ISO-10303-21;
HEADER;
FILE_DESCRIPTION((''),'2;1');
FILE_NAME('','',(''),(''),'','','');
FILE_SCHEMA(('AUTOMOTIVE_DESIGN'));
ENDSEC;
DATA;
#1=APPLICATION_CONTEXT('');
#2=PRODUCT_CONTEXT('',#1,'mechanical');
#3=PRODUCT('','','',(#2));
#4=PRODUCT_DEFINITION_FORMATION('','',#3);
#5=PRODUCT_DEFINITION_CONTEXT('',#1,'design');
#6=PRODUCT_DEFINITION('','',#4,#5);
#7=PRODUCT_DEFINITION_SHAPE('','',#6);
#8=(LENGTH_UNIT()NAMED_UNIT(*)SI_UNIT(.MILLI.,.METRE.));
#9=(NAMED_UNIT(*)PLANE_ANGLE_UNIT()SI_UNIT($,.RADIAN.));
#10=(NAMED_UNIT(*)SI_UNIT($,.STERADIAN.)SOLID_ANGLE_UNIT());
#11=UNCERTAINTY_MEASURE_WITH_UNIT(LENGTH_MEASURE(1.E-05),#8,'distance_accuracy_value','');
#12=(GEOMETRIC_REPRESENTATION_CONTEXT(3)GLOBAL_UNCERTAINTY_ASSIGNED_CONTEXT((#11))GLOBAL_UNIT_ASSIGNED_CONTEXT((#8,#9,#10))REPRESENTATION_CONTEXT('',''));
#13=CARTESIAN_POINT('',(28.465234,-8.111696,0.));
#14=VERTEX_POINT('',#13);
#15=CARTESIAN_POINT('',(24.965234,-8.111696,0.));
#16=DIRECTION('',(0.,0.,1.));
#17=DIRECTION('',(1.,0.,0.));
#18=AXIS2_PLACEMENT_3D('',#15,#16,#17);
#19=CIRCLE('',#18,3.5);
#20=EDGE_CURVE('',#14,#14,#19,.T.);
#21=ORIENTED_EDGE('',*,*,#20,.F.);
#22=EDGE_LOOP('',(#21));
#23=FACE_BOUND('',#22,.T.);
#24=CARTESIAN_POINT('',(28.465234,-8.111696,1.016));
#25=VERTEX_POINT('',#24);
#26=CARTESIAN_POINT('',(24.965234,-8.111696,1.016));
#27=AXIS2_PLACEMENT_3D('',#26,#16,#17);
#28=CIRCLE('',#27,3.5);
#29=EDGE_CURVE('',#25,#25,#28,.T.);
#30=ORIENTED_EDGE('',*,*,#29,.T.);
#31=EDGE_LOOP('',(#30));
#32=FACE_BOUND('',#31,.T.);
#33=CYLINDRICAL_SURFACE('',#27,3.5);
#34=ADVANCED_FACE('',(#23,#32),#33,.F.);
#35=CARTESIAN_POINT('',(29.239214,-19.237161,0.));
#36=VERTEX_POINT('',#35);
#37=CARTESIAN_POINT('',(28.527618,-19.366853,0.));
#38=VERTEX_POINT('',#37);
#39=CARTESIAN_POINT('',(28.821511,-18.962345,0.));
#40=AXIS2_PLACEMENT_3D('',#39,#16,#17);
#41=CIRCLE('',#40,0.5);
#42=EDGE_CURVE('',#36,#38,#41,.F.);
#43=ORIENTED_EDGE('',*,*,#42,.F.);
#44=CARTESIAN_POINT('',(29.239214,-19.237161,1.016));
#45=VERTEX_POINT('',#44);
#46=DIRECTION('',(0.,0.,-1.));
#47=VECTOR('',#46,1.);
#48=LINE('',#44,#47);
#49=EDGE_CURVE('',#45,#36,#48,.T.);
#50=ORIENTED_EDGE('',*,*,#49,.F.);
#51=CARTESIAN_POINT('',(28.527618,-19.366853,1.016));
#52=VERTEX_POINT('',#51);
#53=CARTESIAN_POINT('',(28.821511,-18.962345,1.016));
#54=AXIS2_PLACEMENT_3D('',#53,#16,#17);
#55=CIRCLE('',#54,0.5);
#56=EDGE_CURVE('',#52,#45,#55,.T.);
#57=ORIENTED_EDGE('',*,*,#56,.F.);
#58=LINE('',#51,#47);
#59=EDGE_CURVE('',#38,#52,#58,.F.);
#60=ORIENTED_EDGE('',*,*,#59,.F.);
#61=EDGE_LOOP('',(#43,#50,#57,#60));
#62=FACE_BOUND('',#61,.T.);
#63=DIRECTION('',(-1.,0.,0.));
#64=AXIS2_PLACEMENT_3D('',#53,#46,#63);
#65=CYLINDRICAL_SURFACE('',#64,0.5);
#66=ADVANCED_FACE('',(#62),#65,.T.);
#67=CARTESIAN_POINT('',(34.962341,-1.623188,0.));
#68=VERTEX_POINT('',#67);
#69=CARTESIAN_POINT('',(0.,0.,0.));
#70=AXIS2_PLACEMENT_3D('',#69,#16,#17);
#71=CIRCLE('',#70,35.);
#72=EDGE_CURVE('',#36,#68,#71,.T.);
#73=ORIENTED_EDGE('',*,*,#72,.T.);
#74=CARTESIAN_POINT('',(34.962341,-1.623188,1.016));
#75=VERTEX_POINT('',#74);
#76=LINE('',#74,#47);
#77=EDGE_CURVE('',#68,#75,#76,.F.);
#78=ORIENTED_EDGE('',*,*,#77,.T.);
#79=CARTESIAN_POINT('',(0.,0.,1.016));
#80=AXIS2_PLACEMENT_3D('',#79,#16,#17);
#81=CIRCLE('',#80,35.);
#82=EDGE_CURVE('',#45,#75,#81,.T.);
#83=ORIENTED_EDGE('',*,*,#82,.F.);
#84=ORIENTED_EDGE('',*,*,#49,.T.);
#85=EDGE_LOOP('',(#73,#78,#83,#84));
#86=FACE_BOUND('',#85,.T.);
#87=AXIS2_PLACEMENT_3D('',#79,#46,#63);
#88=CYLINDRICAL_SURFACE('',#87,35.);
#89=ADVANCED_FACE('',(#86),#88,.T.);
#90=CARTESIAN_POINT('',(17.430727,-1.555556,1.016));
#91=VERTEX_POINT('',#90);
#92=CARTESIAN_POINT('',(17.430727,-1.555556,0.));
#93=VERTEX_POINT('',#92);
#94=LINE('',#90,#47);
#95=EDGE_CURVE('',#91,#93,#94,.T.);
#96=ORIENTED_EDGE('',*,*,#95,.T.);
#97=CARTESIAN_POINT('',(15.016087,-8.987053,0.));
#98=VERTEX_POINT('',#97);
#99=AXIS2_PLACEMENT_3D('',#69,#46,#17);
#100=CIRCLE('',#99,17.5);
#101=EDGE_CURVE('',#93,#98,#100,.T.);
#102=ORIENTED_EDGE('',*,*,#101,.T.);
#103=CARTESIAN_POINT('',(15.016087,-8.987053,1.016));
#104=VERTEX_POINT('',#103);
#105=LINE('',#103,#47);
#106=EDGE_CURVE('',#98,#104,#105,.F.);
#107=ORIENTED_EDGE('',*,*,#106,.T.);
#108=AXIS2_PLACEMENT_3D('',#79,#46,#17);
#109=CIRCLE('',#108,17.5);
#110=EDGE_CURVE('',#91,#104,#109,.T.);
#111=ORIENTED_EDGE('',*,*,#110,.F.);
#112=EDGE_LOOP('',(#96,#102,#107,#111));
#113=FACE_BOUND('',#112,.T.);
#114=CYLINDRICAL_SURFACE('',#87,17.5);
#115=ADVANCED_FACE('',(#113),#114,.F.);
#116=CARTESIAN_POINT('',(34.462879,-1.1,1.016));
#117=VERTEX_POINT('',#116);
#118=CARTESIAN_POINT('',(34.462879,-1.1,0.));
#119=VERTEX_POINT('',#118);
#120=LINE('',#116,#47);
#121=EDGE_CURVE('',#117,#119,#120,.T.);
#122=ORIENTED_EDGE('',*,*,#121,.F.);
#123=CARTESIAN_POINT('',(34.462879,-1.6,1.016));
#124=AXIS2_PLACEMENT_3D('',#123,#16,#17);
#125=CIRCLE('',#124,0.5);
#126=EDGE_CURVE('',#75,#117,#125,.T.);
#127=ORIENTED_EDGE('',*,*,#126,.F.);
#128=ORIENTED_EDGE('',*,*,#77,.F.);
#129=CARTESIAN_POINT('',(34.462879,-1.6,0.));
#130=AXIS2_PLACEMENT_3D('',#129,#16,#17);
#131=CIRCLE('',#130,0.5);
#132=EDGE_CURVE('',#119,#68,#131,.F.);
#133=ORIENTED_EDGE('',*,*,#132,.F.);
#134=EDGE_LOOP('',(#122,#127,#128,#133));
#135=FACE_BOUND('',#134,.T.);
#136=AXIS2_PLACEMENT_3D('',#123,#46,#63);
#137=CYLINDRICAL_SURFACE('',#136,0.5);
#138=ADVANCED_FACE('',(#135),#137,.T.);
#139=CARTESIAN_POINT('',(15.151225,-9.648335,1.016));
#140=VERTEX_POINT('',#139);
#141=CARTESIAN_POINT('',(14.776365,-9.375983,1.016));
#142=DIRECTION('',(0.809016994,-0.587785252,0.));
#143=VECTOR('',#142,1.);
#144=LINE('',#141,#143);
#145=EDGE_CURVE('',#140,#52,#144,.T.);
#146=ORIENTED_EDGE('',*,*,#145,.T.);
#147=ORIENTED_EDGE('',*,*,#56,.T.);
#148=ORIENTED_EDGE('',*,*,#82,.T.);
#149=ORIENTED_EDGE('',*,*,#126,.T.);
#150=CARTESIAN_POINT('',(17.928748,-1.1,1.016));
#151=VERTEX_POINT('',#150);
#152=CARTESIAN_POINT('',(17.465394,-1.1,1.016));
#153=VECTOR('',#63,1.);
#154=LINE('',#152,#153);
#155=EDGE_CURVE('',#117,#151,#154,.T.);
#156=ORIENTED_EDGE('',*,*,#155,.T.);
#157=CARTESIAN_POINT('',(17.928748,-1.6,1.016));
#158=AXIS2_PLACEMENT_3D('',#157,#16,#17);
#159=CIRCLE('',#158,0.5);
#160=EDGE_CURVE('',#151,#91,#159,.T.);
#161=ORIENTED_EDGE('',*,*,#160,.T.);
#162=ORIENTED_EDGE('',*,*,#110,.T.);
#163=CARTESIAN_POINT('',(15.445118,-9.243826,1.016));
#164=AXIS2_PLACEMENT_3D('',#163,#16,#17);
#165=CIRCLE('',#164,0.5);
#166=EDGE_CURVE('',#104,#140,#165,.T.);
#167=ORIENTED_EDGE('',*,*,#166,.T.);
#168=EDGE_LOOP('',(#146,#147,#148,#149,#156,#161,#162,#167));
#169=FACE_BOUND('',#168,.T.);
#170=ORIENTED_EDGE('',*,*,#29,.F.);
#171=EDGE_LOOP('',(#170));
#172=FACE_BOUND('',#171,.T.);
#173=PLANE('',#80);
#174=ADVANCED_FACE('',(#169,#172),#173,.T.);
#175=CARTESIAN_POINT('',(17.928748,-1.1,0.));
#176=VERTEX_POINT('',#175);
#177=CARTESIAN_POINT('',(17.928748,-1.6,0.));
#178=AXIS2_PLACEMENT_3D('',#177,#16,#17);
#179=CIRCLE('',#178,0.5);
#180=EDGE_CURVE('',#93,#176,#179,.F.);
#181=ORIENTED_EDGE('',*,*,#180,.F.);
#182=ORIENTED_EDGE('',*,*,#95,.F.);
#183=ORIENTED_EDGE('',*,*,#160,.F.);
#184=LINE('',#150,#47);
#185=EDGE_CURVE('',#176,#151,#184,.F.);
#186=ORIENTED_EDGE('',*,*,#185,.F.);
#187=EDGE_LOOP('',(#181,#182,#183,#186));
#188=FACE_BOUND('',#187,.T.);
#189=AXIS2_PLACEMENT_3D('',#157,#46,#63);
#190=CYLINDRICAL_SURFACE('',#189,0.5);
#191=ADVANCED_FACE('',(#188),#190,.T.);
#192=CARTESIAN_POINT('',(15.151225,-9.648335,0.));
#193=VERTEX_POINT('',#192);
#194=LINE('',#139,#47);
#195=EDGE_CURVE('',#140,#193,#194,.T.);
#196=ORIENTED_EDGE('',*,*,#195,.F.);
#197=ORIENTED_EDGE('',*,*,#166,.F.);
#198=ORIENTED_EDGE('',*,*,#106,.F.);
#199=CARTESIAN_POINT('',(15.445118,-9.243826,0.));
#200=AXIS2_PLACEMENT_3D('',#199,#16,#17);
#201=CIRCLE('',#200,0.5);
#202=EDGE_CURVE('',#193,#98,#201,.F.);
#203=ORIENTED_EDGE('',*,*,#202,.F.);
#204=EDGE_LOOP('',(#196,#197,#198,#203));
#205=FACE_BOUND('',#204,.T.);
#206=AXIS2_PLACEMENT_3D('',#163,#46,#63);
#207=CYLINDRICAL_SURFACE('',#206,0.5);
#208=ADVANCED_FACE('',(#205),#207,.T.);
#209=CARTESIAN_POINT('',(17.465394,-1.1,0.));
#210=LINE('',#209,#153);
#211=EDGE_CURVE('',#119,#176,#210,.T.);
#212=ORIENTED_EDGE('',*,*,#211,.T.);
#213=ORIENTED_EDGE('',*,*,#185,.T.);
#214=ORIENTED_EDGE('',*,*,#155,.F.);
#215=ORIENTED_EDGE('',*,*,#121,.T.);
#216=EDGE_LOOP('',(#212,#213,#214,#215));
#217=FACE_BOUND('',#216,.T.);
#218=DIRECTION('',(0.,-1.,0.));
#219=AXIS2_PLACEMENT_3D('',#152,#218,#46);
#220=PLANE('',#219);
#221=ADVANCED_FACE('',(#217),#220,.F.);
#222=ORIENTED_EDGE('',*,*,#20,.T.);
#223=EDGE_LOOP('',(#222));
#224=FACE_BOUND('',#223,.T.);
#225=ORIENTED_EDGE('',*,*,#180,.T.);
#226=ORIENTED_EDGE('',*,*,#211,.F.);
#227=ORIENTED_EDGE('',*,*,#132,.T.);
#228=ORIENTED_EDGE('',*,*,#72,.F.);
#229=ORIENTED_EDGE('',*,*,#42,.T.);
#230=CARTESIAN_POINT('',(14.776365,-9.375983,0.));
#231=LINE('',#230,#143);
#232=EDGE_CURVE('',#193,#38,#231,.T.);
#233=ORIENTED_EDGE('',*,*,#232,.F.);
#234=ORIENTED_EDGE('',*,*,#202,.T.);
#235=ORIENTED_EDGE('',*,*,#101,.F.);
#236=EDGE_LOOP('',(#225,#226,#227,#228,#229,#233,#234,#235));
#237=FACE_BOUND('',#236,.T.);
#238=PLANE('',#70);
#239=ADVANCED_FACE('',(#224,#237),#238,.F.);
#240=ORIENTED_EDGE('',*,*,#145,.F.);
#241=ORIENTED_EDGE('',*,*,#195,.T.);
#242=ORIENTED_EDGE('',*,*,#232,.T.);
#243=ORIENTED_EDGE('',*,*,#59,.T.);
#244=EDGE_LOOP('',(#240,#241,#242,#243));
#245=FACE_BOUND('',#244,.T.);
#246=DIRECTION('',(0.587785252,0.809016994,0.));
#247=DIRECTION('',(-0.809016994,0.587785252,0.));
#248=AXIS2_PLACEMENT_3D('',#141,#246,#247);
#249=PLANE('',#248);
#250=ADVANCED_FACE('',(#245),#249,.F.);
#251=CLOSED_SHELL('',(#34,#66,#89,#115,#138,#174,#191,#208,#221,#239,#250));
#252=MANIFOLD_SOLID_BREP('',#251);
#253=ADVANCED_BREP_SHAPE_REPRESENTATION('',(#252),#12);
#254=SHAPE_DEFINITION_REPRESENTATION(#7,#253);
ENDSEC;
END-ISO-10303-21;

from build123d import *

# Parameters (mm, degrees)
BOSS_EXTRUDE1_DEPTH  = 1.016
M6_CLEARANCE_HOLE1_D = 7
FILLET2_R            = 0.5


with BuildPart() as part:
    # Sketch1 → Boss-Extrude1 (new body)
    with BuildSketch(Plane.XY):
        with BuildLine():
            Line((17.465394356, -1.1), (34.982710015, -1.1))
            ThreePointArc((34.982710015, -1.1), (33.28697807, -10.815594803), (28.948170689, -19.672402338))
            Line((28.948170689, -19.672402338), (14.776364625, -9.375982534))
            ThreePointArc((14.776364625, -9.375982534), (16.643489035, -5.407797402), (17.465394356, -1.1))
        make_face()
    extrude(amount=BOSS_EXTRUDE1_DEPTH)

    # M6 Clearance Hole1 (through all)
    with Locations(Plane.XY.offset(1.016)):
        with Locations((24.965233553, -8.111696102)):
            Hole(M6_CLEARANCE_HOLE1_D / 2)

    # Fillet2
    fillet2_edges = [part.edges().sort_by_distance(p)[0] for p in [
        (17.465394356, -1.1, 0.508),
        (34.982710015, -1.1, 0.508),
        (28.948170689, -19.672402338, 0.508),
        (14.776364625, -9.375982534, 0.508),
    ]]
    fillet(fillet2_edges, radius=FILLET2_R)


solid = part.part
